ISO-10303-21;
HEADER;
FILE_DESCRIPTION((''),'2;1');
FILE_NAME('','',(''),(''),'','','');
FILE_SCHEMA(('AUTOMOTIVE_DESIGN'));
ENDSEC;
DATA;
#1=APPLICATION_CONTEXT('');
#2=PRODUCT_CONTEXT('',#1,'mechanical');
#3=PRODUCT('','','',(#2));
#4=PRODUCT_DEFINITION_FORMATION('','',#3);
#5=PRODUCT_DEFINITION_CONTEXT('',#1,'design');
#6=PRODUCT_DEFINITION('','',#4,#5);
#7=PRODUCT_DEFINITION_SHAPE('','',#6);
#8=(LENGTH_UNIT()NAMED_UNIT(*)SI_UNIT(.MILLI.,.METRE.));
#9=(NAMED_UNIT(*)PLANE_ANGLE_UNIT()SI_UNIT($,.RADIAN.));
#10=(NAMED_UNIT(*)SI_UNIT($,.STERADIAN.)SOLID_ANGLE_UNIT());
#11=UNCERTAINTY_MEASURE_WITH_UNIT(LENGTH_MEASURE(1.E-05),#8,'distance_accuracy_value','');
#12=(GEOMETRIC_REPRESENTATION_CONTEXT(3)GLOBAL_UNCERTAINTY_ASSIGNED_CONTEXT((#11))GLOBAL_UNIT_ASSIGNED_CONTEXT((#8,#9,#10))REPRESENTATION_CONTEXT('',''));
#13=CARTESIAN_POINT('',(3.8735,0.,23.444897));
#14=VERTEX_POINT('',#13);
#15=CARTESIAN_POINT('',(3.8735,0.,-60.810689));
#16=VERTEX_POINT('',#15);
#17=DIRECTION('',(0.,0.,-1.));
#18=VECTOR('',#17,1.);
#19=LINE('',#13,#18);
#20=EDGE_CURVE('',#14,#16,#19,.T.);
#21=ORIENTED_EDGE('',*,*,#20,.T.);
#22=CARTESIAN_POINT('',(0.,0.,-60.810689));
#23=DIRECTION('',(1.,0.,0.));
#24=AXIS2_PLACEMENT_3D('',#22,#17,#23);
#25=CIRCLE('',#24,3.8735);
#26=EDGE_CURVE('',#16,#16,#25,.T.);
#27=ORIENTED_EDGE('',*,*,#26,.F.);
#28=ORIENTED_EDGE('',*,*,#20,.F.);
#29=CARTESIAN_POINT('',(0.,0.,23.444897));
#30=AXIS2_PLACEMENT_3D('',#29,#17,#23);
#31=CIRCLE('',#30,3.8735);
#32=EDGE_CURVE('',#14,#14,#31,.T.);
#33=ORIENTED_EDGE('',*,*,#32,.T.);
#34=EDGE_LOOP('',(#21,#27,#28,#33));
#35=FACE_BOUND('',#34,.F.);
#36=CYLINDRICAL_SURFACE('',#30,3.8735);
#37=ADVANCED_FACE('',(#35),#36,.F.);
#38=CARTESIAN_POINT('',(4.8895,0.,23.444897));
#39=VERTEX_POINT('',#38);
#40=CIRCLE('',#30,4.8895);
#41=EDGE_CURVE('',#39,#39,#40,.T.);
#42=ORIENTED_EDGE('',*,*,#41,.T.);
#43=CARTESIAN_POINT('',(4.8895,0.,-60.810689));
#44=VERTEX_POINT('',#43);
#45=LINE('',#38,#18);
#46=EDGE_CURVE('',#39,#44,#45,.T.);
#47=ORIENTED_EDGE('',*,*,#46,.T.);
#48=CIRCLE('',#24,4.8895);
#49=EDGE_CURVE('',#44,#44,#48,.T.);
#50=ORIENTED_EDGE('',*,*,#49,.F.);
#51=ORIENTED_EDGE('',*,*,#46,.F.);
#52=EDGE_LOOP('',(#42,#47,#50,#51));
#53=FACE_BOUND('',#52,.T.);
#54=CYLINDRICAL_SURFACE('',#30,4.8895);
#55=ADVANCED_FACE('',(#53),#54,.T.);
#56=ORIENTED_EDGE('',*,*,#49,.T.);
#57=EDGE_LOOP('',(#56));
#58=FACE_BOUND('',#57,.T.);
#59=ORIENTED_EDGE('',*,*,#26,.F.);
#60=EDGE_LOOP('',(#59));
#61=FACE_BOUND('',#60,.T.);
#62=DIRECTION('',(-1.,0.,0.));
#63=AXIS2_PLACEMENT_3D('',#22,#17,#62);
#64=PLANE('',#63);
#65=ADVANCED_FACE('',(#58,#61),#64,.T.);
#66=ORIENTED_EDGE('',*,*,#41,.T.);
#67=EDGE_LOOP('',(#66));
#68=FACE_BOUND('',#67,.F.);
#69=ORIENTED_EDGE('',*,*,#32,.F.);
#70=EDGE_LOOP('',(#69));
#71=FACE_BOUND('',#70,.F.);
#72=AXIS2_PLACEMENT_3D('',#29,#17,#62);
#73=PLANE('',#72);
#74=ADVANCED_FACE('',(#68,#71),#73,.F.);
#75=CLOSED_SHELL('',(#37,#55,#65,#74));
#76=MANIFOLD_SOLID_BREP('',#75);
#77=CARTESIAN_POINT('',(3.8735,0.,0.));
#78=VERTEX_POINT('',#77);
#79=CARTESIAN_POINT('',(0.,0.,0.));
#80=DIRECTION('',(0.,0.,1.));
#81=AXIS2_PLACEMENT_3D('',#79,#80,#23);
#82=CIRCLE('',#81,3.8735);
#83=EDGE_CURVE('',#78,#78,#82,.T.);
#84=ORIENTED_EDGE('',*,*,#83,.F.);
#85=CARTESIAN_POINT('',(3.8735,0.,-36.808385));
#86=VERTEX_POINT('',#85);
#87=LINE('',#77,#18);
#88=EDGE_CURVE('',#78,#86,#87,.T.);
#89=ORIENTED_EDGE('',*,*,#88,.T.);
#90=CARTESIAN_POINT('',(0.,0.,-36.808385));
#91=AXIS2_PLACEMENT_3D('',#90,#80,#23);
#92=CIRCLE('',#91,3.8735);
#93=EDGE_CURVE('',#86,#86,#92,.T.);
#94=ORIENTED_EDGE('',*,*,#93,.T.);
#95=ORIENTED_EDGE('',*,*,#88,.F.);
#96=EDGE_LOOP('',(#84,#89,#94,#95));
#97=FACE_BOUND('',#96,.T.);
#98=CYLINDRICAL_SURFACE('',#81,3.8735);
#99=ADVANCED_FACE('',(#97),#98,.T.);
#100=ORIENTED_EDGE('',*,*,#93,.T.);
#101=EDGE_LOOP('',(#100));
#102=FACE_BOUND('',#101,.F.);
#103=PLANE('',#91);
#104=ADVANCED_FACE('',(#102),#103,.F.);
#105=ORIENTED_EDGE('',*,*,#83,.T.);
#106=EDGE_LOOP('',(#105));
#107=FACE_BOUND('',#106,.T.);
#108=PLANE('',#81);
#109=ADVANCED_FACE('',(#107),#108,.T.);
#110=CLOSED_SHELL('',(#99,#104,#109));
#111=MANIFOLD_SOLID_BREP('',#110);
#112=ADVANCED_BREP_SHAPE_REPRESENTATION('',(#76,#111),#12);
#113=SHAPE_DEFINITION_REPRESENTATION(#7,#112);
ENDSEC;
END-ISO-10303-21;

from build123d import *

# Parameters (mm, degrees)
F2_R     = 4.8895
F2_R_2   = 3.8735
F4_R     = 3.8735
F5_DEPTH = 36.8083846


with BuildPart() as f3:
    # F3: sweep along a path in F0
    with BuildLine(Plane.YZ) as f3_path:
        Line((0, 23.4448965639), (0, -60.8106888831))
    # F2 (on line) → F3 (sweep)
    with BuildSketch(Plane(origin=(0, 0, 23.4448965639), x_dir=(1, 0, 0), z_dir=(0, 0, -1))):
        Circle(F2_R)
        Circle(F2_R_2, mode=Mode.SUBTRACT)
    sweep(path=f3_path.line)


with BuildPart() as f5:
    # F4 (on Top) → F5 (new body)
    with BuildSketch(Plane.XY):
        Circle(F4_R)
    extrude(amount=-F5_DEPTH)


solid = Compound([f3.part, f5.part])
